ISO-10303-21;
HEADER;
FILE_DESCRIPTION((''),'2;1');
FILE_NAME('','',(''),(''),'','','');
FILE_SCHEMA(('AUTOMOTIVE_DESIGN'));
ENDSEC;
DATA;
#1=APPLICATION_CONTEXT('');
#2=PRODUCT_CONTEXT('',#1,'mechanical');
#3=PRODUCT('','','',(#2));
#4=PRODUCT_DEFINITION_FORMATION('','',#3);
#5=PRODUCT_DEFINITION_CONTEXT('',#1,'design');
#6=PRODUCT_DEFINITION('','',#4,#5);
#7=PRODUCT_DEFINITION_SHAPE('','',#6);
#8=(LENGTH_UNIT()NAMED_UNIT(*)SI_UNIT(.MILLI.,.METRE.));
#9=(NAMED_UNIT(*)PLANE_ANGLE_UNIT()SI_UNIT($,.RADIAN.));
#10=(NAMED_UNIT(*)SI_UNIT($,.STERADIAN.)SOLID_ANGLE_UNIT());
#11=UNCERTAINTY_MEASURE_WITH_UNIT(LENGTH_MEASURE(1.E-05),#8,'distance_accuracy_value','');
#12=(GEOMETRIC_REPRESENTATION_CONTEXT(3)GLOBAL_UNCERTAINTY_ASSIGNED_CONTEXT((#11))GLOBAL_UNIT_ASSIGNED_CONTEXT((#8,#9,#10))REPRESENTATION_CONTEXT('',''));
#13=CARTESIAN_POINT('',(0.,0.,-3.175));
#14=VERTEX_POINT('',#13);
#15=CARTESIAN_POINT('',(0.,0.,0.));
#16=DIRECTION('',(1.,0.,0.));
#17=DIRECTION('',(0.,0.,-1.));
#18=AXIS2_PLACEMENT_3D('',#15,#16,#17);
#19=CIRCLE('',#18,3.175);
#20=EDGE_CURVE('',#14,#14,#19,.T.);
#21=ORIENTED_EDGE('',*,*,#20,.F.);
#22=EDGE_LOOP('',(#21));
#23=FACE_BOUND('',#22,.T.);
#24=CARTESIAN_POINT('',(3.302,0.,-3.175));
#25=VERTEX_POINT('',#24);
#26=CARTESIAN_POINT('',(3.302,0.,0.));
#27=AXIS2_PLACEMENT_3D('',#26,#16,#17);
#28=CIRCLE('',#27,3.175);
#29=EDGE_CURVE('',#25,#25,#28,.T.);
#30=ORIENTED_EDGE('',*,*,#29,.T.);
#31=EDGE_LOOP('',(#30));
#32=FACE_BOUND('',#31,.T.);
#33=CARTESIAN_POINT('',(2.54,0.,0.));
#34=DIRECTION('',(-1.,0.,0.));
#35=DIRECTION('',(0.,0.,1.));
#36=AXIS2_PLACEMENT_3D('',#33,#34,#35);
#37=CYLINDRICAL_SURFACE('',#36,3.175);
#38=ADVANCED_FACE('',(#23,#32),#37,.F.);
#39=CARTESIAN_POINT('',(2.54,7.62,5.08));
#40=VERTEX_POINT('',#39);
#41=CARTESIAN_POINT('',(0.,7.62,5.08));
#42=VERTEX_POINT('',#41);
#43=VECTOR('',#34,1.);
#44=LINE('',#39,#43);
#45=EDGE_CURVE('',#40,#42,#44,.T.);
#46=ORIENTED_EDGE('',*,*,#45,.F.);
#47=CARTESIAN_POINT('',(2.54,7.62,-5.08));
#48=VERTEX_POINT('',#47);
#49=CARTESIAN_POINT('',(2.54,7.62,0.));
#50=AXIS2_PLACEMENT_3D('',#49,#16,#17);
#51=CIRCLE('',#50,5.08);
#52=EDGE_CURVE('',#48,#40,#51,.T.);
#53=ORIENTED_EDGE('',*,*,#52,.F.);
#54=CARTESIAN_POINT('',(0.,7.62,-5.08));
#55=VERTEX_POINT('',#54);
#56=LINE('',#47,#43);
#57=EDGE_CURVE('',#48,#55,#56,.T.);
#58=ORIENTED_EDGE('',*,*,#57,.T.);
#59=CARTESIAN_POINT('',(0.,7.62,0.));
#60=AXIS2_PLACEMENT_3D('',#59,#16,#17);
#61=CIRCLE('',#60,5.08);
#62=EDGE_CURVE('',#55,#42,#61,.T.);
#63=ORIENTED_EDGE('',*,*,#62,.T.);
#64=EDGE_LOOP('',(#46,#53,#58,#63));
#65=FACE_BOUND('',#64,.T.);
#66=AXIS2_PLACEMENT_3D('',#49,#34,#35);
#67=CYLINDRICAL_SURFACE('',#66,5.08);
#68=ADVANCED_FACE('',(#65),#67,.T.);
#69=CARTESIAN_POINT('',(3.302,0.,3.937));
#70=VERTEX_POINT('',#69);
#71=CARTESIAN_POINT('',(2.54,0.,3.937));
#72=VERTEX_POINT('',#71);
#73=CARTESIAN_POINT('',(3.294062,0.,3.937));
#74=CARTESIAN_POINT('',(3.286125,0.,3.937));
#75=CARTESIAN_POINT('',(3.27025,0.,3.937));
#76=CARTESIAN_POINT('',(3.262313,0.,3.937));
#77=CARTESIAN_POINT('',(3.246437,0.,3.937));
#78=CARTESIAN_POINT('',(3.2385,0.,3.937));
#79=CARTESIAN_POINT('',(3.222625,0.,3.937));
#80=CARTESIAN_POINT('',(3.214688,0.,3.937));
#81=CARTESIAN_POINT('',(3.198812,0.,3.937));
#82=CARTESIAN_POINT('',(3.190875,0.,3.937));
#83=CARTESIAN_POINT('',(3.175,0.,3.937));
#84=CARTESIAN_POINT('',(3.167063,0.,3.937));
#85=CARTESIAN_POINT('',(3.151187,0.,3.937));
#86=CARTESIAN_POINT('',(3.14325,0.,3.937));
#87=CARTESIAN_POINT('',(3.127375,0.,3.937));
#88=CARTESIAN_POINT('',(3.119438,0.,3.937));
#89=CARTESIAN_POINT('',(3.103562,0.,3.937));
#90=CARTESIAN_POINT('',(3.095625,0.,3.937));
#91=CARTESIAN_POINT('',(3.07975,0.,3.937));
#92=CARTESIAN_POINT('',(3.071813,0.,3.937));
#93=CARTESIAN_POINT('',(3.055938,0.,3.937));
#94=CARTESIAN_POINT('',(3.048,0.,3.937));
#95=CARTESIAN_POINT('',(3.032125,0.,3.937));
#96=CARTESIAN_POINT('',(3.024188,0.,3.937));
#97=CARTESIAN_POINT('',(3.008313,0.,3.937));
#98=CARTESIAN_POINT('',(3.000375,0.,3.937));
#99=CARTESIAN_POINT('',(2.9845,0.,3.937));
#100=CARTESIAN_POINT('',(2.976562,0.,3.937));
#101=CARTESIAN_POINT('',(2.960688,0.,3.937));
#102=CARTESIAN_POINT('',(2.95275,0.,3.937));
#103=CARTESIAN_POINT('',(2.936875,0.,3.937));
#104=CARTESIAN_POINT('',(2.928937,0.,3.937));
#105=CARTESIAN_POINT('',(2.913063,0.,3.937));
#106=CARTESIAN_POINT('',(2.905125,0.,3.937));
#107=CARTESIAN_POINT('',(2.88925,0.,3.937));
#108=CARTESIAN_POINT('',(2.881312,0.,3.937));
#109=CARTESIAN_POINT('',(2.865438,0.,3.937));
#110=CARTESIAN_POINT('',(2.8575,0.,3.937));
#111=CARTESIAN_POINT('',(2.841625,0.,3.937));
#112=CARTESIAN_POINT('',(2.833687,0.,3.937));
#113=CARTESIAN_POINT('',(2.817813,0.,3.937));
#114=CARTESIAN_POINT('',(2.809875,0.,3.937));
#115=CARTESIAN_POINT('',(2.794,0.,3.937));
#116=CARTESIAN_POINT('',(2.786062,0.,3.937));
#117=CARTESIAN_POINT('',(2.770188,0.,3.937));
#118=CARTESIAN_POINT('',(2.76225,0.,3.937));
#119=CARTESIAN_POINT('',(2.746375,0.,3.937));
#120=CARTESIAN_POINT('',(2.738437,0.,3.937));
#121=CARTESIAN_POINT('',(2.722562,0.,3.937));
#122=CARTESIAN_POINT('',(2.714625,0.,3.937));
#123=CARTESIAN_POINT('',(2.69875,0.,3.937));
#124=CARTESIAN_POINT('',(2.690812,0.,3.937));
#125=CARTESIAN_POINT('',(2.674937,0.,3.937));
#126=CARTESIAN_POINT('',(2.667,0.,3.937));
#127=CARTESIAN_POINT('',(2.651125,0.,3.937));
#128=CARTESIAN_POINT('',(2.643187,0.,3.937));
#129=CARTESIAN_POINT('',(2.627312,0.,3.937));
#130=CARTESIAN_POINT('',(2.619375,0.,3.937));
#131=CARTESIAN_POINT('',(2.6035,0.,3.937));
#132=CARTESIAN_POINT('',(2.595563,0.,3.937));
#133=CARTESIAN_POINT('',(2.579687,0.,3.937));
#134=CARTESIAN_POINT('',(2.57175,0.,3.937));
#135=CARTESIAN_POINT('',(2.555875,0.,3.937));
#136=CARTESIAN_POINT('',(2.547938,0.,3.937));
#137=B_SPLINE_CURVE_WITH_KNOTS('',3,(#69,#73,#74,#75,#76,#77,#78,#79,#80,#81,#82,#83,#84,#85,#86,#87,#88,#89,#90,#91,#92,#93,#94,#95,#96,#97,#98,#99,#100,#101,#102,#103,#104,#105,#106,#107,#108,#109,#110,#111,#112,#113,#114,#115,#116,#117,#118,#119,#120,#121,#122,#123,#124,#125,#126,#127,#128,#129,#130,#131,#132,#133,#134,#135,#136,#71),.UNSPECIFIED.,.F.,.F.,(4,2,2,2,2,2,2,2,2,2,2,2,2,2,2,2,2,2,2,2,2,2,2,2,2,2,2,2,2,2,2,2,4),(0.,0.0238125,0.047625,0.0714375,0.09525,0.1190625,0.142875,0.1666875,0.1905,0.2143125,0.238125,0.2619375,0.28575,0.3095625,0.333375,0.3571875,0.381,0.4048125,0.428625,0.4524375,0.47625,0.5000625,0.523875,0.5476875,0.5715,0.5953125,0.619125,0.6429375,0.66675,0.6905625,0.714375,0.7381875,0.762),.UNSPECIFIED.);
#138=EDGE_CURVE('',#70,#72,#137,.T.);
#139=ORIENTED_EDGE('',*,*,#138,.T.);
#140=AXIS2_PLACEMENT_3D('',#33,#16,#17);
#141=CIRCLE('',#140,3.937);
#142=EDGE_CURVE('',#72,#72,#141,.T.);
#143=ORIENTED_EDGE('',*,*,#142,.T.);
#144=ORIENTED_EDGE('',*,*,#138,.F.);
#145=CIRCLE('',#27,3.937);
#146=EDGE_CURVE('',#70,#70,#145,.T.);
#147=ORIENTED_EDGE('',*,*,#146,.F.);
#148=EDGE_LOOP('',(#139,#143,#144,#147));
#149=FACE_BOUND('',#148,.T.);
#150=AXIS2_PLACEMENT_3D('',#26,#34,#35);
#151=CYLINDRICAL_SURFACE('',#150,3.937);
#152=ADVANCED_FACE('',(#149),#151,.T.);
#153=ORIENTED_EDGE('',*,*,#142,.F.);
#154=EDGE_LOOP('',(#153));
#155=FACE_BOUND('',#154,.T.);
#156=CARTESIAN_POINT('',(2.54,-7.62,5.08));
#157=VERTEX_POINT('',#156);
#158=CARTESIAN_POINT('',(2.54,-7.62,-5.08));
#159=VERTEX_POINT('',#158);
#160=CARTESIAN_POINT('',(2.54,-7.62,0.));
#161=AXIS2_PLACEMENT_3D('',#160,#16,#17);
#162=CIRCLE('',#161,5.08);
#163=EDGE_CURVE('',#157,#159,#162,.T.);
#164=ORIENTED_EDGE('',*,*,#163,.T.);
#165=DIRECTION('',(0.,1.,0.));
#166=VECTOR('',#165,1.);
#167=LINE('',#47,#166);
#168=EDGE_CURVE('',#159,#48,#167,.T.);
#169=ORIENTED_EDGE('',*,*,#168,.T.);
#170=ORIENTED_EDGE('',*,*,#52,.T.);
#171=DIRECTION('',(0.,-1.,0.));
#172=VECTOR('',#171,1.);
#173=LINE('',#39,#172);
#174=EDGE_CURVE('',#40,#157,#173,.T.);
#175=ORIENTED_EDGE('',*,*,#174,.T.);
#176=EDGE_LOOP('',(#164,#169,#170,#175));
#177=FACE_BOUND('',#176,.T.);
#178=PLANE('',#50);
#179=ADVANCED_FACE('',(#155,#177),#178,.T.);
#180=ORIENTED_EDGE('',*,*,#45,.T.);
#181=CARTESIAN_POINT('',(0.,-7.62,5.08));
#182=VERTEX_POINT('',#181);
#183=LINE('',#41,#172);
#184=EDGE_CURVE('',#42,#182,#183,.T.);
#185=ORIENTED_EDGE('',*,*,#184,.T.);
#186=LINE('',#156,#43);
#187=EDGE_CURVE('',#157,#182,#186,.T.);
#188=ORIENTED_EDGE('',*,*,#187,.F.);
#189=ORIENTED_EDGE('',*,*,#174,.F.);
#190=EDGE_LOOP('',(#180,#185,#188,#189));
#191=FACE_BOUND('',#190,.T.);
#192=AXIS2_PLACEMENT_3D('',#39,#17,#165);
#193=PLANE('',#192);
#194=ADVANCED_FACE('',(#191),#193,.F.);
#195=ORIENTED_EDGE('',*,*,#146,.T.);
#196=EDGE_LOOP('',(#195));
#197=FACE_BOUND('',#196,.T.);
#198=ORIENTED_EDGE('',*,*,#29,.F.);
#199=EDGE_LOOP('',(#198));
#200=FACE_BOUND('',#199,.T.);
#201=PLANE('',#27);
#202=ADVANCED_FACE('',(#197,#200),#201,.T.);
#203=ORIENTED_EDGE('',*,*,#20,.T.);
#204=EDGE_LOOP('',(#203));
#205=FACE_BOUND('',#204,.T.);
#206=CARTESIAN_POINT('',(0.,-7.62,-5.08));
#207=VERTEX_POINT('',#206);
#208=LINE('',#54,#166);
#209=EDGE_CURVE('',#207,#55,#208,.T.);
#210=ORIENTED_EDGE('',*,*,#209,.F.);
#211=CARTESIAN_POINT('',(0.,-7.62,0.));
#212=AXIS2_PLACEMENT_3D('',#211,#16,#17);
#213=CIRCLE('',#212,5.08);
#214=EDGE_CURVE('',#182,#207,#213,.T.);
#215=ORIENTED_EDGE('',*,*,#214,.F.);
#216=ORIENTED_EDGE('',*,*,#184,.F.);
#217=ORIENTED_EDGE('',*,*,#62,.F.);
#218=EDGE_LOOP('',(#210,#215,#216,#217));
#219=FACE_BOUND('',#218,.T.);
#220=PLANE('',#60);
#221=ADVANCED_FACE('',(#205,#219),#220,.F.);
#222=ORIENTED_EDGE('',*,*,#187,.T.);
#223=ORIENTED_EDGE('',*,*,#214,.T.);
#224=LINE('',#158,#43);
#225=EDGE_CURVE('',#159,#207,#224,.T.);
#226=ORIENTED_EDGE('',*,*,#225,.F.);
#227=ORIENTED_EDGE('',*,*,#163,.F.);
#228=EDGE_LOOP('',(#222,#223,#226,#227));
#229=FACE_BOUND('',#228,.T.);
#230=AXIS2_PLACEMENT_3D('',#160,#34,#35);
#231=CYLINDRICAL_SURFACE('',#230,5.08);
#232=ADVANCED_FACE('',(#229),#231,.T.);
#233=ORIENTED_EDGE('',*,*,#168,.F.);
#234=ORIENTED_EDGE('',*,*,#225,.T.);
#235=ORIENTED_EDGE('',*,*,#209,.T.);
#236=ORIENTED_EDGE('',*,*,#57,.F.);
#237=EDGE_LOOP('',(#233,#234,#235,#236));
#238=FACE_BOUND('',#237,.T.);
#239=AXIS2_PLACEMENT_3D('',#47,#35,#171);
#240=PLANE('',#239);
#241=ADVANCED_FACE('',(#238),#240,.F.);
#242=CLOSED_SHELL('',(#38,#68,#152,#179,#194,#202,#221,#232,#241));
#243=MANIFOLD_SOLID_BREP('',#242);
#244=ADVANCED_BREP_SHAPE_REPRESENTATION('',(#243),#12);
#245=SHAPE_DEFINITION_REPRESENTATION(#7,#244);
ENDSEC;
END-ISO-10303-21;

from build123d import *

# Parameters (mm, degrees)
SKETCH1_R           = 3.175
BOSS_EXTRUDE1_DEPTH = 2.54
SKETCH2_R           = 3.937
SKETCH2_R_2         = 3.175
BOSS_EXTRUDE2_DEPTH = 0.762


with BuildPart() as part:
    # Sketch1 → Boss-Extrude1 (new body)
    with BuildSketch(Plane(origin=(0, 0, 0), x_dir=(0, 0, -1), z_dir=(1, 0, 0))):
        with BuildLine():
            Line((5.08, 7.62), (5.08, -7.62))
            ThreePointArc((5.08, -7.62), (0, -12.7), (-5.08, -7.62))
            Line((-5.08, -7.62), (-5.08, 7.62))
            ThreePointArc((-5.08, 7.62), (0, 12.7), (5.08, 7.62))
        make_face()
        Circle(SKETCH1_R, mode=Mode.SUBTRACT)
    extrude(amount=BOSS_EXTRUDE1_DEPTH)

    # Sketch2 → Boss-Extrude2 (add)
    with BuildSketch(Plane(origin=(2.54, 0, 0), x_dir=(0, 0, -1), z_dir=(1, 0, 0))):
        Circle(SKETCH2_R)
        Circle(SKETCH2_R_2, mode=Mode.SUBTRACT)
    extrude(amount=BOSS_EXTRUDE2_DEPTH)


solid = part.part
